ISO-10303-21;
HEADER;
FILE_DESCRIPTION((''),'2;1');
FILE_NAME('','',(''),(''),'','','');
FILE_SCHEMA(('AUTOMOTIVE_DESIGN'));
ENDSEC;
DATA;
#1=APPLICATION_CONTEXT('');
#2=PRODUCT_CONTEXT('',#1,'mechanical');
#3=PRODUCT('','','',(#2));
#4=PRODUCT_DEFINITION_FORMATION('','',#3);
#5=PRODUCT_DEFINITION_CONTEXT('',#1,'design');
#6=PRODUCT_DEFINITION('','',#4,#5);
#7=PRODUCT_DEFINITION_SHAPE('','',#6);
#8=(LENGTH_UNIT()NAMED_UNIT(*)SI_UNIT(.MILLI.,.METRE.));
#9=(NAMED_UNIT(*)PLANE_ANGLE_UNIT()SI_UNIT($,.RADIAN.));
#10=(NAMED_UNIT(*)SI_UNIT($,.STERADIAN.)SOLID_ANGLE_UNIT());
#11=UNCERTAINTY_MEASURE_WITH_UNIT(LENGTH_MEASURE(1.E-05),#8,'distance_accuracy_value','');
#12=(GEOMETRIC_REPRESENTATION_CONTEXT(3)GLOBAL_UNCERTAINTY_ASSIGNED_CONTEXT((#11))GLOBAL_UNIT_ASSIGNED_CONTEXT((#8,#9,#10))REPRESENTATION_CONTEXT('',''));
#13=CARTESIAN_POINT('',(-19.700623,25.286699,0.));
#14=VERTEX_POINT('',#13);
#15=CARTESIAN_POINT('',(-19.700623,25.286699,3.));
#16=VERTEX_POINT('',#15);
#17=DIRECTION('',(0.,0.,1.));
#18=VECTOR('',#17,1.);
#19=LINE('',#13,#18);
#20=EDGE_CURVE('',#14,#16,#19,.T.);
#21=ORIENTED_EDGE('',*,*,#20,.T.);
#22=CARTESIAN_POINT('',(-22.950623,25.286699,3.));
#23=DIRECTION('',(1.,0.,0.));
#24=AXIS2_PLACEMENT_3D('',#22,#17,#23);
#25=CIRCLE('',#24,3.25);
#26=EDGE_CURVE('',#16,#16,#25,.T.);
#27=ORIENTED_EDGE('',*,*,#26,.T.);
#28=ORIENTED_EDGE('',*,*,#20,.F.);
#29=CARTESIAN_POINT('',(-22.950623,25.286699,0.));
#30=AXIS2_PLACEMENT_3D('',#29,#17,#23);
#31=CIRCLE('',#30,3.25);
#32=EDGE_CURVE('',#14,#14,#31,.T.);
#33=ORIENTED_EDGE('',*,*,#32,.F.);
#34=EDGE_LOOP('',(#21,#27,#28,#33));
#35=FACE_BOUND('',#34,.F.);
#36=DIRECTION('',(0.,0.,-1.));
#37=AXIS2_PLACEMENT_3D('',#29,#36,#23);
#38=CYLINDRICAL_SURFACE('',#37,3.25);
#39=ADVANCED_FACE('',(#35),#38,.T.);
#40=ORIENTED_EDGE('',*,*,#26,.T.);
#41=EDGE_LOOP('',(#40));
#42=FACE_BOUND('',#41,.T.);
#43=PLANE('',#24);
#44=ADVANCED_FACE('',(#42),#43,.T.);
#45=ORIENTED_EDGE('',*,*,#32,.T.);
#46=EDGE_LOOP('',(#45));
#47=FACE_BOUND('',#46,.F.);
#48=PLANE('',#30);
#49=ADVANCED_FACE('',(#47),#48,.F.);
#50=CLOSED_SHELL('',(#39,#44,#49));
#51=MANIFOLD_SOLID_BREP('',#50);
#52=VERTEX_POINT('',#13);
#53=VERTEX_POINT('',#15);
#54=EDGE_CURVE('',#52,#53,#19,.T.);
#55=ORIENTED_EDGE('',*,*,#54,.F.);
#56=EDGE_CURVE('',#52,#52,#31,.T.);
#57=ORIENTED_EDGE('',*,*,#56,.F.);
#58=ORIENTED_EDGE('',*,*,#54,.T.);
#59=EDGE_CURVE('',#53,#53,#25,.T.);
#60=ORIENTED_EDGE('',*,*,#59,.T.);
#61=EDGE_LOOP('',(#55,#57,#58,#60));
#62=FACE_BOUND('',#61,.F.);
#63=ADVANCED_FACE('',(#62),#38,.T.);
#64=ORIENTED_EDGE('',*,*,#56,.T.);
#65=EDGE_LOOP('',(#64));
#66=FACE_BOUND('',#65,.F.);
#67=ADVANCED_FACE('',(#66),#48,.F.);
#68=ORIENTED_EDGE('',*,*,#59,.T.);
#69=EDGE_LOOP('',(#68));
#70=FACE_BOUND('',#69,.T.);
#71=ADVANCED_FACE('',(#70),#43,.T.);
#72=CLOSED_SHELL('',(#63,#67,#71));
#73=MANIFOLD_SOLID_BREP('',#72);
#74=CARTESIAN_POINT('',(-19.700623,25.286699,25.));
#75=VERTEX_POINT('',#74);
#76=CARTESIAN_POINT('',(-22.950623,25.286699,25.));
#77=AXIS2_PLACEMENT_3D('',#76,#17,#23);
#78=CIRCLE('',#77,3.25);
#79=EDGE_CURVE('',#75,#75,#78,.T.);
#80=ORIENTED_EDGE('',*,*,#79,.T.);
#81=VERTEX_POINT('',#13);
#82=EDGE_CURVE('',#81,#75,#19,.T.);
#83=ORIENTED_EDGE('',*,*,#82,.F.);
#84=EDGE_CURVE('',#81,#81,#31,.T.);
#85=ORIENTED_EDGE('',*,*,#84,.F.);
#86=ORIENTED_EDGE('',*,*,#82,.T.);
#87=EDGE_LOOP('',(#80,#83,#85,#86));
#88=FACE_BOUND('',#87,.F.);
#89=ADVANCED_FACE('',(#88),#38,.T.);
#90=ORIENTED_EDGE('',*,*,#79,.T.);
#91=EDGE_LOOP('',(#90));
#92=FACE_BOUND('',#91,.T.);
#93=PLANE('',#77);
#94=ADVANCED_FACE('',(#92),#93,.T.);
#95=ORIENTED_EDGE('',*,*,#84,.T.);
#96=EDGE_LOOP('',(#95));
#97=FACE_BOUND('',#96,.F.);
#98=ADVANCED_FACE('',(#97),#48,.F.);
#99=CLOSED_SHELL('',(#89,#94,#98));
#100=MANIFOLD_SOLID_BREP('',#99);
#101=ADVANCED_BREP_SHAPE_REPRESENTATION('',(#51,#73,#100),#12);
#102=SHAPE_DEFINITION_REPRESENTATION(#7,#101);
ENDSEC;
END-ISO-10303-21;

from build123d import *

# Parameters (mm, degrees)
F0_R     = 3.25
F1_DEPTH = 25
F2_DEPTH = 3
F3_DEPTH = 3


with BuildPart() as f1:
    # F0 (on Top) → F1 (new body)
    with BuildSketch(Plane.XY):
        with Locations((-22.950623, 25.286699)):
            Circle(F0_R)
    extrude(amount=F1_DEPTH)


with BuildPart() as f2:
    # F0 (on Top) → F2 (new body)
    with BuildSketch(Plane.XY):
        with Locations((-22.950623, 25.286699)):
            Circle(F0_R)
    extrude(amount=F2_DEPTH)


with BuildPart() as f3:
    # F0 (on Top) → F3 (new body)
    with BuildSketch(Plane.XY):
        with Locations((-22.950623, 25.286699)):
            Circle(F0_R)
    extrude(amount=F3_DEPTH)


solid = Compound([f1.part, f2.part, f3.part])
